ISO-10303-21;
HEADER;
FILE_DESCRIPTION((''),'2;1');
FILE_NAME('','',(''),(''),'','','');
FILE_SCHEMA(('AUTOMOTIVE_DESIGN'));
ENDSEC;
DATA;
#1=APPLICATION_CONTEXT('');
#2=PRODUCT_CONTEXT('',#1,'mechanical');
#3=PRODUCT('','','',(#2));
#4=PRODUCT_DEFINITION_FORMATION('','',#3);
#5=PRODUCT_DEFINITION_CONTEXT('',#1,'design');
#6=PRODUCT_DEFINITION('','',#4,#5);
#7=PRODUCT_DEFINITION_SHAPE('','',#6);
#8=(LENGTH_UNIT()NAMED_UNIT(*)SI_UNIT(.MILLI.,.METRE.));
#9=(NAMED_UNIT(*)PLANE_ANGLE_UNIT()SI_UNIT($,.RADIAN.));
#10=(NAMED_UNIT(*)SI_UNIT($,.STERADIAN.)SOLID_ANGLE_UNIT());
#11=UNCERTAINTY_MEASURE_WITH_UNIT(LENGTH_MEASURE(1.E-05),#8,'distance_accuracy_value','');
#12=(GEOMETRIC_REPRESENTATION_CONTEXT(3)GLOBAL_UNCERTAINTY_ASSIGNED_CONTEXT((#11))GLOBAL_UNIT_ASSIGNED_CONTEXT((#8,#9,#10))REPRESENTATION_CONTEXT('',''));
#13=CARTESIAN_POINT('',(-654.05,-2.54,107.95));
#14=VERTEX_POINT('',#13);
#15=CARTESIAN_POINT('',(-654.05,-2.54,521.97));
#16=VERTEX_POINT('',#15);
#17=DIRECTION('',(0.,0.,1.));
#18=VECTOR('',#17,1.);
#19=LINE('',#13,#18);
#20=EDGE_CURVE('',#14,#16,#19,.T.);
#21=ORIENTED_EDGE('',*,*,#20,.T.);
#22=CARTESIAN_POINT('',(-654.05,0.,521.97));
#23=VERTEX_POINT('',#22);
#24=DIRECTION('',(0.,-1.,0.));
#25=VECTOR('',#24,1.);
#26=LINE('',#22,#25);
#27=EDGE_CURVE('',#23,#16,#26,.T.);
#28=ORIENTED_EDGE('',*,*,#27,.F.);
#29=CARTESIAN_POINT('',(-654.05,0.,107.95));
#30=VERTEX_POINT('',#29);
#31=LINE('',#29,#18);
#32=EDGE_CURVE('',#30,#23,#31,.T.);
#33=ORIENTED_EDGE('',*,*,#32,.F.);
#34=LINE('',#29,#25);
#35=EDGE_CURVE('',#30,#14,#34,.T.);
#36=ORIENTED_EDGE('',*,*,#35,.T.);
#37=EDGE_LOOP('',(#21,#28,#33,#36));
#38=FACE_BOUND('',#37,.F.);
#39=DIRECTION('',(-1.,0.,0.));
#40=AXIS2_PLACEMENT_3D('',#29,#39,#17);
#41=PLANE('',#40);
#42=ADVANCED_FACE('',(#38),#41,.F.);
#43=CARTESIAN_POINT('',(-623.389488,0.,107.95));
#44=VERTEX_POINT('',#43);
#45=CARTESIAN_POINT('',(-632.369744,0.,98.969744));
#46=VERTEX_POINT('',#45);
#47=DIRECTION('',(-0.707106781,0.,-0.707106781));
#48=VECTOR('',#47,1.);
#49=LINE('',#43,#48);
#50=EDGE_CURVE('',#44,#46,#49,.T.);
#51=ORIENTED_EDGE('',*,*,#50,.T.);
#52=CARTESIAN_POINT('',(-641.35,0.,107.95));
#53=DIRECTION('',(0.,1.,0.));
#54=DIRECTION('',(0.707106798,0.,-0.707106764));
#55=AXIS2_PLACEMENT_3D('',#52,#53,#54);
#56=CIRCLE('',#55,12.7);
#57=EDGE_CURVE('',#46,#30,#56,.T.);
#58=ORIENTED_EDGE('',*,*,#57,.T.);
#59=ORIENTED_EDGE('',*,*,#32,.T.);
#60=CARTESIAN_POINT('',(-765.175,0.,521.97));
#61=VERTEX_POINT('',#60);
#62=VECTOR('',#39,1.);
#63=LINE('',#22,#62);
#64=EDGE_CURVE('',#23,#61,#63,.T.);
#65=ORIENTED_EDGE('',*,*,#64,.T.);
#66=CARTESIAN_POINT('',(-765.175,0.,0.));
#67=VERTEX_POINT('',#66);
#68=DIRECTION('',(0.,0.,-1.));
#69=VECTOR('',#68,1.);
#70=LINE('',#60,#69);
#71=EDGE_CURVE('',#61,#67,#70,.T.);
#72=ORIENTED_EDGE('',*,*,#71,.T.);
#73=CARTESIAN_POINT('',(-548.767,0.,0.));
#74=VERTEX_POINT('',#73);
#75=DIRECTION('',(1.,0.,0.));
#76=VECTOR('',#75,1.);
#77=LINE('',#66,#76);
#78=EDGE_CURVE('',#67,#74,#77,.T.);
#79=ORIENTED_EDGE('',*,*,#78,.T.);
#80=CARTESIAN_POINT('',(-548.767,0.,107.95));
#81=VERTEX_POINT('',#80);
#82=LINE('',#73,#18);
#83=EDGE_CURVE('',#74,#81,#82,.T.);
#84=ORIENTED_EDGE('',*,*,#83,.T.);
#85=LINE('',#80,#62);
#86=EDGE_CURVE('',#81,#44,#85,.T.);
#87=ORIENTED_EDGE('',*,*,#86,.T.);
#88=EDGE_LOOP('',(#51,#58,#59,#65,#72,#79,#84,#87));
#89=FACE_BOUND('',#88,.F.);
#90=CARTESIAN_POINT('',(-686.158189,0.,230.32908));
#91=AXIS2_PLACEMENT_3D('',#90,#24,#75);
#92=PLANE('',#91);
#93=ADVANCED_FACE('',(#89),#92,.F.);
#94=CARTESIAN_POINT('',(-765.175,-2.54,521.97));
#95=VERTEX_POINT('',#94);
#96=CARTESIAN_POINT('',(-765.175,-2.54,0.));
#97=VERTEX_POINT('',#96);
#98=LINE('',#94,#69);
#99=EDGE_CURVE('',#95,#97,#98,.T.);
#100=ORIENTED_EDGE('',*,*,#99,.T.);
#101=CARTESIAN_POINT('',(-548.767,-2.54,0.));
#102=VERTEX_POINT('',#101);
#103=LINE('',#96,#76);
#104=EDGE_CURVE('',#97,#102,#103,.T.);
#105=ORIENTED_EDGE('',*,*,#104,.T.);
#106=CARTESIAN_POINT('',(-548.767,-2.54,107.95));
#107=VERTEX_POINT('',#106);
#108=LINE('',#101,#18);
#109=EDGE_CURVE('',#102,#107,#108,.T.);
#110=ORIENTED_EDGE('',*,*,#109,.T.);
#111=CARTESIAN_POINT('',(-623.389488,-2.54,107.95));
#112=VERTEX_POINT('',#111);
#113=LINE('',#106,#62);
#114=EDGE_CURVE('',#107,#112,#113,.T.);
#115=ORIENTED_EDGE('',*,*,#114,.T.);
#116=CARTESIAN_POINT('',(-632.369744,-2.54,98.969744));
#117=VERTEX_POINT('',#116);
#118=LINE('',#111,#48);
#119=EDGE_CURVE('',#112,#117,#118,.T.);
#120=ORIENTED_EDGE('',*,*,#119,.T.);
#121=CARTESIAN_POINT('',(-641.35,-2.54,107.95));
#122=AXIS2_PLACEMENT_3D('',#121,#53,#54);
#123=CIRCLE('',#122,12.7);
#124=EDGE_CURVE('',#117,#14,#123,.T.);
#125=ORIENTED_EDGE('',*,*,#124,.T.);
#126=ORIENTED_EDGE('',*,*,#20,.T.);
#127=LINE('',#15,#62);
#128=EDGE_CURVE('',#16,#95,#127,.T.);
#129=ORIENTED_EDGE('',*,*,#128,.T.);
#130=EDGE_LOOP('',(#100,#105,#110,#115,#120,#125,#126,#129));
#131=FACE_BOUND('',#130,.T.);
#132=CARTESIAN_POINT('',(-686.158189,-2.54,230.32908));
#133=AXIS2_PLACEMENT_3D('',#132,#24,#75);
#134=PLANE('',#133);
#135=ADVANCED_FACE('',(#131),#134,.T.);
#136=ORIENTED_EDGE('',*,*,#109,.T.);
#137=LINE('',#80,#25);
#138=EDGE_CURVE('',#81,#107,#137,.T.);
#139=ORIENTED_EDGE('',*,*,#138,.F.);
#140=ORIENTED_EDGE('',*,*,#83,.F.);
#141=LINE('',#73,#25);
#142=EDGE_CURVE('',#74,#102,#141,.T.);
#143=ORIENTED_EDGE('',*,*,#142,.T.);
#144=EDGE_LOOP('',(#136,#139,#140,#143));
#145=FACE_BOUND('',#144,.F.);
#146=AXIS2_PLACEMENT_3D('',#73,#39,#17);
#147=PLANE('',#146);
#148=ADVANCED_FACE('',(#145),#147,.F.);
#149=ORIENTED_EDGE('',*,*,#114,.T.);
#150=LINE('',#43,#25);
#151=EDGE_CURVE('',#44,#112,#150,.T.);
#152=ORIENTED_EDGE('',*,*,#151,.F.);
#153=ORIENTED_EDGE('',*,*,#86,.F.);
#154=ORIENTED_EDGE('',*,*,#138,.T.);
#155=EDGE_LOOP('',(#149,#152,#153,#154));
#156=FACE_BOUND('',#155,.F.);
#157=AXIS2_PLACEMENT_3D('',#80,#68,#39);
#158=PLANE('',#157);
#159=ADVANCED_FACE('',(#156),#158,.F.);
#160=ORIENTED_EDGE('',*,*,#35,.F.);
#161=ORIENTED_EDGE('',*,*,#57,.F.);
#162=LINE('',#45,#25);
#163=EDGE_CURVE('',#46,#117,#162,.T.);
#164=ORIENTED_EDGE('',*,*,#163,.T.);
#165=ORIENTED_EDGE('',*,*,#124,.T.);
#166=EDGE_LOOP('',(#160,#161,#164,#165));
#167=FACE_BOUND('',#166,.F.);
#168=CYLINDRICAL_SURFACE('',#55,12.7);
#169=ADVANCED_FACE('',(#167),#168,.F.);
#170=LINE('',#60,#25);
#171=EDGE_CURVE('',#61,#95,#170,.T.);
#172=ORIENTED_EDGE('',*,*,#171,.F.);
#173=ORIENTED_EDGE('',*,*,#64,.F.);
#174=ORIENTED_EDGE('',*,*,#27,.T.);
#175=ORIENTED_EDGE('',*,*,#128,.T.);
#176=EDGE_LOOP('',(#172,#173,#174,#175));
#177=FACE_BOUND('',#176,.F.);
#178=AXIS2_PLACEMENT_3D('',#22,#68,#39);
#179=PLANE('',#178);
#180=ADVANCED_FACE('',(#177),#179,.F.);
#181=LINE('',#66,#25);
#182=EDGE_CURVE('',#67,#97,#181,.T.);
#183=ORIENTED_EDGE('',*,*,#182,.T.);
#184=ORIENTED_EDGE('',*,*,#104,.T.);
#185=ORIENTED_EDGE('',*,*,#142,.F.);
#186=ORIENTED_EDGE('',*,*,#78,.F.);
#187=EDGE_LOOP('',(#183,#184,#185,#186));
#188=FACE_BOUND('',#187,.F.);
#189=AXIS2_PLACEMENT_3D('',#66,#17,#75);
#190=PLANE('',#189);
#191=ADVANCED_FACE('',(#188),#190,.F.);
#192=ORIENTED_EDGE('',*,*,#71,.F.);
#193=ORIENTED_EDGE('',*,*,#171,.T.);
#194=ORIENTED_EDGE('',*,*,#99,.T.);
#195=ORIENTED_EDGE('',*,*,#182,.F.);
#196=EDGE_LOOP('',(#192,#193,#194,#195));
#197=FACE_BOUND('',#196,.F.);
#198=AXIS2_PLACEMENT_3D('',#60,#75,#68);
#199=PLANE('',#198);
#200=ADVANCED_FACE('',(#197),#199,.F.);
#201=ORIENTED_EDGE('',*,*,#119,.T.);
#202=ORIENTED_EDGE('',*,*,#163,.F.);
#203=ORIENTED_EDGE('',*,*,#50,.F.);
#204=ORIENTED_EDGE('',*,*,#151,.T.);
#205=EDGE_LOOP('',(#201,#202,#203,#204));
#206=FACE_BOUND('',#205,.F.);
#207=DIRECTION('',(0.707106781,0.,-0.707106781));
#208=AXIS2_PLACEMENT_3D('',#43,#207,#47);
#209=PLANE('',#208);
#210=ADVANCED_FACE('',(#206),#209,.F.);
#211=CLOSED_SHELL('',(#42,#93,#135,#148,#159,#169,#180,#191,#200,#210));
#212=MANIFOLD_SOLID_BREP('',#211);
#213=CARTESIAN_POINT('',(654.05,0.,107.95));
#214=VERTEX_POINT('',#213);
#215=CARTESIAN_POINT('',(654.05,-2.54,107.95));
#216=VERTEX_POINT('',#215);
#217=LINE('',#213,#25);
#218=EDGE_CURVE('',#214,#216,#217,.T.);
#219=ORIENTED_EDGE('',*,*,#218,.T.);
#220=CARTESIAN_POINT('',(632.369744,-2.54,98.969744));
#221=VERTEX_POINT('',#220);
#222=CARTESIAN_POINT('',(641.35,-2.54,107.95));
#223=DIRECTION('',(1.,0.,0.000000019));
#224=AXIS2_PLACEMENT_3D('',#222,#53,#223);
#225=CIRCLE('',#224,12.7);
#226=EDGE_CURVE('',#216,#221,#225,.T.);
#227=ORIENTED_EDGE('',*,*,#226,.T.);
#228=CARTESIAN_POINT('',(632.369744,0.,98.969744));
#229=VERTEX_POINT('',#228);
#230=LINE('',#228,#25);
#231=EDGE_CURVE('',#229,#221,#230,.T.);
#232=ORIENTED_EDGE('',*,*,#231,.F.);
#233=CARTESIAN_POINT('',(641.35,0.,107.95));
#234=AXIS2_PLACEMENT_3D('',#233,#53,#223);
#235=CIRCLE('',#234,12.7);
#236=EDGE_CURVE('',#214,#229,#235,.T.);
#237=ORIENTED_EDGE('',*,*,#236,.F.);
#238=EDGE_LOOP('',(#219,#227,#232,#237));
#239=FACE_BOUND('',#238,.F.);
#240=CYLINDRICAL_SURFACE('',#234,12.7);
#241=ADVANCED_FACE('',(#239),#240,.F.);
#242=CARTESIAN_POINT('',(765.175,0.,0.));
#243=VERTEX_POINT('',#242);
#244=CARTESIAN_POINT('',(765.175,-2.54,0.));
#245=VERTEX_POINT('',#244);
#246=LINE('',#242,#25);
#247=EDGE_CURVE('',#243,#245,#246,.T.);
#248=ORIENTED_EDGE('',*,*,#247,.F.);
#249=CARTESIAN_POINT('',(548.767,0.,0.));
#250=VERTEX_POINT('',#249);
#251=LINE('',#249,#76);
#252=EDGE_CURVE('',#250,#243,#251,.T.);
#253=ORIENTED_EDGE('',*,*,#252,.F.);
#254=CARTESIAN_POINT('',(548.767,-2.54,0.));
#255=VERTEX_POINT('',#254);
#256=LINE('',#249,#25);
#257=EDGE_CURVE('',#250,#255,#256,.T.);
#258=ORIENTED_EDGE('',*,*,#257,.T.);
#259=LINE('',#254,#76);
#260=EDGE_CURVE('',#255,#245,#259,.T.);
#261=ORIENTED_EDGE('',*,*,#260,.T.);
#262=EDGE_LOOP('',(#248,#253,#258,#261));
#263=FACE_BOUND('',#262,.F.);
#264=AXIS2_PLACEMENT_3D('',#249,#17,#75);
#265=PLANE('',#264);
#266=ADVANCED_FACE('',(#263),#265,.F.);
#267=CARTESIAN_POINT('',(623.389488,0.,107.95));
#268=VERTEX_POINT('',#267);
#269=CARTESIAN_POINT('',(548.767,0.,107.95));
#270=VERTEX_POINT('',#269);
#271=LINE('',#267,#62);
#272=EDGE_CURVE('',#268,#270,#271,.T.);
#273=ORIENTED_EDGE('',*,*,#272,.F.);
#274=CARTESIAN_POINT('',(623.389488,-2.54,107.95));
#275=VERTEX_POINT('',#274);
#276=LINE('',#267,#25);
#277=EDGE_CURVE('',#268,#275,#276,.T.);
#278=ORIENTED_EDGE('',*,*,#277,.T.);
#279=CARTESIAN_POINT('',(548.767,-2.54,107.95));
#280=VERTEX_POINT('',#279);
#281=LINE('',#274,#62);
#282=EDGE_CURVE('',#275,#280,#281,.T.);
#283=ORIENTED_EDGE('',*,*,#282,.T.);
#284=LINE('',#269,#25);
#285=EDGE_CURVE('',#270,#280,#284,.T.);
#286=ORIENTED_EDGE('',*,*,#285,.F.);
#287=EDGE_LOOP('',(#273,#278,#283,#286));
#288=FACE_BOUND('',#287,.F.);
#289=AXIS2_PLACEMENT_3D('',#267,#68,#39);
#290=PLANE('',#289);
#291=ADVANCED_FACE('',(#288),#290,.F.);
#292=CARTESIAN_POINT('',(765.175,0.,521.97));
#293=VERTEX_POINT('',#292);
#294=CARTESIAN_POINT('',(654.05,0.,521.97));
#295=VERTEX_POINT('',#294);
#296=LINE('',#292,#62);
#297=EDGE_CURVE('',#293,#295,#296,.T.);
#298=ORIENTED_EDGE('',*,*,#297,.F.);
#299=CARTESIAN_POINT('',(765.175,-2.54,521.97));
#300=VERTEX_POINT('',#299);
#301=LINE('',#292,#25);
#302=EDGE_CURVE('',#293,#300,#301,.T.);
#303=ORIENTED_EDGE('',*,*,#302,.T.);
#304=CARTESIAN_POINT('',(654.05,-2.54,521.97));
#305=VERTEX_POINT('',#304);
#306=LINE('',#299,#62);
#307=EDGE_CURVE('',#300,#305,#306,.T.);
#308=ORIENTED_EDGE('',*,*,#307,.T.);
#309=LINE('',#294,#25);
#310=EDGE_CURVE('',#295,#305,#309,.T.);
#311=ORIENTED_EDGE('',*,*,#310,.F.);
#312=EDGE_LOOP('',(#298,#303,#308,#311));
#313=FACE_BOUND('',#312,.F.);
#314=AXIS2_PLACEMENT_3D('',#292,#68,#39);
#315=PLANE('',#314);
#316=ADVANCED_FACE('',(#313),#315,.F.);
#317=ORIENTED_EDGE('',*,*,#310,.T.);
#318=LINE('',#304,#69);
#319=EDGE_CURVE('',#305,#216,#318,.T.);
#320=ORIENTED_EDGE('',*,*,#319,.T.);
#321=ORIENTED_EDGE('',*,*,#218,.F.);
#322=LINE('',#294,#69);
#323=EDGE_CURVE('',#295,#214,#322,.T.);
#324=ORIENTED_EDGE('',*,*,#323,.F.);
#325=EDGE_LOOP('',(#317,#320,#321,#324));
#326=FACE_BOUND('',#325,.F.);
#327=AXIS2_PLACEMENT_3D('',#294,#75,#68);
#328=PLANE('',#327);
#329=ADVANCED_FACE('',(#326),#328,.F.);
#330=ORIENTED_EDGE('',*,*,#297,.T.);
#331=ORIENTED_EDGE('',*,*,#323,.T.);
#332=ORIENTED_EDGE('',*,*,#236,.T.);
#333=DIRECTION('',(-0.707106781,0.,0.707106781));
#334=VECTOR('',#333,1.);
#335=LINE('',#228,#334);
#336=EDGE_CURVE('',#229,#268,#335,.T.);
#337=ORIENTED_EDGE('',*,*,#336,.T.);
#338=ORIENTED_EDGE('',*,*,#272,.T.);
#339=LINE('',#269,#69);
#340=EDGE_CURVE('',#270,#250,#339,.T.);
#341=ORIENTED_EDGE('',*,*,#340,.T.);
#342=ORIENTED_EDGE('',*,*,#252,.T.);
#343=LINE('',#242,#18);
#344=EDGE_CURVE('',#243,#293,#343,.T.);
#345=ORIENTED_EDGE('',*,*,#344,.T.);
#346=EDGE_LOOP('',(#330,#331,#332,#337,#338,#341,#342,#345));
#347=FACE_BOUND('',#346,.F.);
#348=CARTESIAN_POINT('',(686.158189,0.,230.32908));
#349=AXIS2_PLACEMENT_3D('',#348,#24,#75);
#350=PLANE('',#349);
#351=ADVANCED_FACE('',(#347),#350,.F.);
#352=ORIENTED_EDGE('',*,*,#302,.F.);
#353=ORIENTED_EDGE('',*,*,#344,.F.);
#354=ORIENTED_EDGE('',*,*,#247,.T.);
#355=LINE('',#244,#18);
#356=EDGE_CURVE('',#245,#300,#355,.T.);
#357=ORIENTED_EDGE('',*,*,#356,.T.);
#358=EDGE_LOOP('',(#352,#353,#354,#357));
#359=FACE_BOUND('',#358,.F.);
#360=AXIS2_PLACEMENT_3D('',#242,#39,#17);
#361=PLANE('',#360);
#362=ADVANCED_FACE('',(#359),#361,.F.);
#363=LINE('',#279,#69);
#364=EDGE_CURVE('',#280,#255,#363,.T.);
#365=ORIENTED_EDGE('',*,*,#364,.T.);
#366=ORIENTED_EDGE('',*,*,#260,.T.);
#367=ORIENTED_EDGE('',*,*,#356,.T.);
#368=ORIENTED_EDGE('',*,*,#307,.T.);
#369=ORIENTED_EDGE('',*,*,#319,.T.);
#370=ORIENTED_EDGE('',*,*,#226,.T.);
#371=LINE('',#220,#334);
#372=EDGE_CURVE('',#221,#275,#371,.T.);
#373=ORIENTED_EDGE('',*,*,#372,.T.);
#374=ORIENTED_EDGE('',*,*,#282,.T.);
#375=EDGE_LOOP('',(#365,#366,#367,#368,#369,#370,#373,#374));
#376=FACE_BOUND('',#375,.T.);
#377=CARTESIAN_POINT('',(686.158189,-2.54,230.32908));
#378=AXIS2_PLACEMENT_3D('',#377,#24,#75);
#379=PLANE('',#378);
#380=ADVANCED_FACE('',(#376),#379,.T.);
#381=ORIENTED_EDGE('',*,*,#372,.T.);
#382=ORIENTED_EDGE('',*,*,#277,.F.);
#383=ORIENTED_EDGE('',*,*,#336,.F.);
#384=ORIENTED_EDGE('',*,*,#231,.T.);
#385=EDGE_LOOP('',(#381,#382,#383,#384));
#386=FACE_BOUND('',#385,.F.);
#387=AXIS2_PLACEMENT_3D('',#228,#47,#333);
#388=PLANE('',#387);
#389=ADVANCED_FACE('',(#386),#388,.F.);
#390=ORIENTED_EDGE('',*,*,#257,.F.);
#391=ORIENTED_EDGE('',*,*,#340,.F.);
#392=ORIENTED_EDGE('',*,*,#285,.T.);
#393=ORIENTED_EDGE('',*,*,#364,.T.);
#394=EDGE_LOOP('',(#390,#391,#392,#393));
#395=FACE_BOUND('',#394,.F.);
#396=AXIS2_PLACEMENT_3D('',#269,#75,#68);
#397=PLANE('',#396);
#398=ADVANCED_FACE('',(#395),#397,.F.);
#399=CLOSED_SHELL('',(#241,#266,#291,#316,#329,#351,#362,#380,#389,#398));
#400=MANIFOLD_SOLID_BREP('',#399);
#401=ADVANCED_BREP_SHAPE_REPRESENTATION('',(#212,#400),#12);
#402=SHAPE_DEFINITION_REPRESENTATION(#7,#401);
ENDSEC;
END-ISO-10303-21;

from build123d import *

# Parameters (mm, degrees)
F1_DEPTH = 2.54


with BuildPart() as f1:
    # F0 (on Front) → F1 (new body)
    with BuildSketch(Plane.XZ):
        with BuildLine():
            Line((-623.389488, 107.95), (-632.369744, 98.969744))
            ThreePointArc((-632.369744, 98.969744), (-646.21008, 96.21673), (-654.05, 107.95))
            Line((-654.05, 107.95), (-654.05, 521.97))
            Line((-654.05, 521.97), (-710.529685, 521.97))
            Line((-710.529685, 521.97), (-765.175, 521.97))
            Line((-765.175, 521.97), (-765.175, 0))
            Line((-765.175, 0), (-548.767, 0))
            Line((-548.767, 0), (-548.767, 107.95))
            Line((-548.767, 107.95), (-623.389488, 107.95))
        make_face()
        with BuildLine():
            Line((765.175, 0), (765.175, 521.97))
            Line((765.175, 521.97), (710.529685, 521.97))
            Line((710.529685, 521.97), (654.05, 521.97))
            Line((654.05, 521.97), (654.05, 107.95))
            ThreePointArc((654.05, 107.95), (646.21008, 96.21673), (632.369744, 98.969744))
            Line((632.369744, 98.969744), (623.389488, 107.95))
            Line((623.389488, 107.95), (548.767, 107.95))
            Line((548.767, 107.95), (548.767, 0))
            Line((548.767, 0), (765.175, 0))
        make_face()
    extrude(amount=F1_DEPTH)


solid = f1.part
